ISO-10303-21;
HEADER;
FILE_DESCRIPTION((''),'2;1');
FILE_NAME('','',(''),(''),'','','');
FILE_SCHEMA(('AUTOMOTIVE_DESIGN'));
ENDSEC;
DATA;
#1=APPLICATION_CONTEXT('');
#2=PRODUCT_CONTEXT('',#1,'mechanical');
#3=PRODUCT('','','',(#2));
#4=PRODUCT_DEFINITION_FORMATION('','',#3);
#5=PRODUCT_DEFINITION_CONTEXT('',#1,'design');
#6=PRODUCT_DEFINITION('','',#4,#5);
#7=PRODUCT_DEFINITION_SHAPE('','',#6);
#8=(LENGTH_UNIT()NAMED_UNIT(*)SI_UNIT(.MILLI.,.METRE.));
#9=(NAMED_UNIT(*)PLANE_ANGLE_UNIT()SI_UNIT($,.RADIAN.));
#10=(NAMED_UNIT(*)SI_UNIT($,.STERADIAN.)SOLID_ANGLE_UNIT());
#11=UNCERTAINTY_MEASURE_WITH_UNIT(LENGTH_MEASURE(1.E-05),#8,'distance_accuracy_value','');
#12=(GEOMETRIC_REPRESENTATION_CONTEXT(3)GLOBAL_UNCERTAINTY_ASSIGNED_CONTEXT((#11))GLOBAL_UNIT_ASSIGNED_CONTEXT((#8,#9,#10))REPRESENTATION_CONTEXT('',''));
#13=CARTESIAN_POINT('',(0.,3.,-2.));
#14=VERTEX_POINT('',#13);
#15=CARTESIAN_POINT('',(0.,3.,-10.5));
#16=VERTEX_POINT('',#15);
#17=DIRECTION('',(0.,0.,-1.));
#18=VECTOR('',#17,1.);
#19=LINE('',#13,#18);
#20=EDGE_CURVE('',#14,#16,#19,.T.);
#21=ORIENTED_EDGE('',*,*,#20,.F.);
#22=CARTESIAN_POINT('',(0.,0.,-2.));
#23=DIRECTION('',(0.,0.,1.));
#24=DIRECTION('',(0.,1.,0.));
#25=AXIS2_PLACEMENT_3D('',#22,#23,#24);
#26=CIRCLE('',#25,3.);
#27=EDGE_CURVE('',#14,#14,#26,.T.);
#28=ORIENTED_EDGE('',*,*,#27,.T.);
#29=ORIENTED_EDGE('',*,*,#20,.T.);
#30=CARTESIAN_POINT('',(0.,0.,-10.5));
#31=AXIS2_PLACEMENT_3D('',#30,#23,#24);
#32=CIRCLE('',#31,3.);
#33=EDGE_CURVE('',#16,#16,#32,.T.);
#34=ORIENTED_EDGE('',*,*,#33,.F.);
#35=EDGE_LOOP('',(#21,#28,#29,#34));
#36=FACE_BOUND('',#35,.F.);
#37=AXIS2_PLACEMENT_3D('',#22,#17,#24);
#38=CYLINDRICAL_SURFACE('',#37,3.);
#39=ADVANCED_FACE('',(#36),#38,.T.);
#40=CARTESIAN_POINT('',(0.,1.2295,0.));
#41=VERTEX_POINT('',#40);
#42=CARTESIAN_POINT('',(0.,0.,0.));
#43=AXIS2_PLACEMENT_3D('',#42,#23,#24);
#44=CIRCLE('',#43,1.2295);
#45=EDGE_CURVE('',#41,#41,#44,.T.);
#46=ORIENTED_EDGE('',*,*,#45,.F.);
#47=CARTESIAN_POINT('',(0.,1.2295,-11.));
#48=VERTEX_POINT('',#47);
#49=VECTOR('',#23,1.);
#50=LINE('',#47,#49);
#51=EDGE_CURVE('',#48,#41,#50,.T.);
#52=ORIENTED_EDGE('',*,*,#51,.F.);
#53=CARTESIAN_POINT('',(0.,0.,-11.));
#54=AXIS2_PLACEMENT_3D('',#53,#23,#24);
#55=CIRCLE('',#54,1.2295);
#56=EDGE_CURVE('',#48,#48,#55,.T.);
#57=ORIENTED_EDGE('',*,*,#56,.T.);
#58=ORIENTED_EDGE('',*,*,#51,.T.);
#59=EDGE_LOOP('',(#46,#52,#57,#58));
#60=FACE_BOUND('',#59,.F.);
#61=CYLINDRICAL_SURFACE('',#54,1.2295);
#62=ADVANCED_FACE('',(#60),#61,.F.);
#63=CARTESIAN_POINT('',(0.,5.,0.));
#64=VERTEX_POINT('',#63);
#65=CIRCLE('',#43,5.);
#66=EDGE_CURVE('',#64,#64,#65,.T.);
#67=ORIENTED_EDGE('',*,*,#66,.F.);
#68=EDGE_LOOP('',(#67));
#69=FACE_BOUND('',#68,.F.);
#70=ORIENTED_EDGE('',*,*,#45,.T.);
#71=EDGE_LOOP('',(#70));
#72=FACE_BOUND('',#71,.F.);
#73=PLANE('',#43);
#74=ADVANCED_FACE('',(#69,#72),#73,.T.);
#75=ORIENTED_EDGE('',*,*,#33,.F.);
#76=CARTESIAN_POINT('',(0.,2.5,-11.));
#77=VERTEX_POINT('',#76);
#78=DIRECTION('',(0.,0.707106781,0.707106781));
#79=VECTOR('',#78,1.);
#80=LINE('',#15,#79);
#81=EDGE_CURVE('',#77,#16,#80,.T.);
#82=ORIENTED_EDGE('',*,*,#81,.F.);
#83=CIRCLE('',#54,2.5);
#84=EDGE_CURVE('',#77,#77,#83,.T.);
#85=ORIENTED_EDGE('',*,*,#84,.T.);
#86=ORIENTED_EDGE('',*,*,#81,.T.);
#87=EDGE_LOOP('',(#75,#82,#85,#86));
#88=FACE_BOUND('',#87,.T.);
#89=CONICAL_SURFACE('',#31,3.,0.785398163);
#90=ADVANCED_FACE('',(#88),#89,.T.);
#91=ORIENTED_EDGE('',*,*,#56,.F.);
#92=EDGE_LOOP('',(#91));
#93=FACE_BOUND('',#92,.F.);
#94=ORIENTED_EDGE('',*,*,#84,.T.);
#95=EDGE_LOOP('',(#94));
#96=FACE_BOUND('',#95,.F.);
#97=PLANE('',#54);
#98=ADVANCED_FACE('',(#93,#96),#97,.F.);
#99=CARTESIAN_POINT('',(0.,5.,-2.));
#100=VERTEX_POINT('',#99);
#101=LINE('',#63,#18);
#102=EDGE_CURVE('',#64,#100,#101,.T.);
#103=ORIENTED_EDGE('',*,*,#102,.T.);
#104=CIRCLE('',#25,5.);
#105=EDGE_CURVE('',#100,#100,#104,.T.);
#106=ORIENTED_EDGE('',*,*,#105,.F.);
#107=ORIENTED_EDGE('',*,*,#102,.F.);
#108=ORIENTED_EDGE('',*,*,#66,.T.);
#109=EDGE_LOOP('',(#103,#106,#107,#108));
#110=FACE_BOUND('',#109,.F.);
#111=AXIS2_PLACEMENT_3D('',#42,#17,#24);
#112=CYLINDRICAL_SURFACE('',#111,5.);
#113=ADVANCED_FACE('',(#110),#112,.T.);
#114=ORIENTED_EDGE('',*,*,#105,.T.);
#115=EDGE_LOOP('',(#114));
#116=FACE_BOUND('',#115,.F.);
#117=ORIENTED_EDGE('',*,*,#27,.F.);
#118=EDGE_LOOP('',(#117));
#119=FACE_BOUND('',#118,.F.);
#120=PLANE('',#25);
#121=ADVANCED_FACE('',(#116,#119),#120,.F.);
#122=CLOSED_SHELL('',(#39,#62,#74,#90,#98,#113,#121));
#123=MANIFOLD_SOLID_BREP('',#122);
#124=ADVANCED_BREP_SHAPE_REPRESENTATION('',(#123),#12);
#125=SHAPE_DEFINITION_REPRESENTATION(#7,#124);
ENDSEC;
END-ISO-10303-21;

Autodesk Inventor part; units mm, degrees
ref_plane "YZ Plane" through (0, 0, 0) normal (1, 0, 0) x (0, 1, 0)
ref_plane "XZ Plane" through (0, 0, 0) normal (0, 1, 0) x (-1, 0, 0)
ref_plane "XY Plane" through (0, 0, 0) normal (0, 0, 1) x (1, 0, 0)
sketch "Esquisse1" plane through (0, 0, 0) normal (1, 0, 0) x (0, 1, 0)
  line L0 (0, 0) -> (5, 0)
  line L1 (5, 0) -> (5, -2)
  line L2 (5, -2) -> (3, -2)
  line L3 (3, -2) -> (3, -11)
  line L4 (3, -11) -> (0, -11)
  line L5 (0, -11) -> (0, 0)
  dimension "d1" = 2
  dimension "d2" = 9
  dimension "d3" = 3
  dimension "d4" = 5
revolve "Révolution1" add sketch "Esquisse1" angle 360 about axis through (0, 0, -11) along (0, 0, 1)
sketch "Esquisse2" plane through (0, 0, -11) normal (0, 0, -1) x (-1, 0, 0)
  point P0 (0, 0)
  point P1 (0, 0)
hole "Perçage1" at (0, 0, -11) direction (0, 0, 1) diameter 2.459 end through all thread size "M3x0.5" class "6H" standard "ANSI Metric M Profile"
chamfer "Chanfrein1" distance 0.5 angle 45 1 edges at (0, -3, -11)
properties part number "axe_taraude_m4"
